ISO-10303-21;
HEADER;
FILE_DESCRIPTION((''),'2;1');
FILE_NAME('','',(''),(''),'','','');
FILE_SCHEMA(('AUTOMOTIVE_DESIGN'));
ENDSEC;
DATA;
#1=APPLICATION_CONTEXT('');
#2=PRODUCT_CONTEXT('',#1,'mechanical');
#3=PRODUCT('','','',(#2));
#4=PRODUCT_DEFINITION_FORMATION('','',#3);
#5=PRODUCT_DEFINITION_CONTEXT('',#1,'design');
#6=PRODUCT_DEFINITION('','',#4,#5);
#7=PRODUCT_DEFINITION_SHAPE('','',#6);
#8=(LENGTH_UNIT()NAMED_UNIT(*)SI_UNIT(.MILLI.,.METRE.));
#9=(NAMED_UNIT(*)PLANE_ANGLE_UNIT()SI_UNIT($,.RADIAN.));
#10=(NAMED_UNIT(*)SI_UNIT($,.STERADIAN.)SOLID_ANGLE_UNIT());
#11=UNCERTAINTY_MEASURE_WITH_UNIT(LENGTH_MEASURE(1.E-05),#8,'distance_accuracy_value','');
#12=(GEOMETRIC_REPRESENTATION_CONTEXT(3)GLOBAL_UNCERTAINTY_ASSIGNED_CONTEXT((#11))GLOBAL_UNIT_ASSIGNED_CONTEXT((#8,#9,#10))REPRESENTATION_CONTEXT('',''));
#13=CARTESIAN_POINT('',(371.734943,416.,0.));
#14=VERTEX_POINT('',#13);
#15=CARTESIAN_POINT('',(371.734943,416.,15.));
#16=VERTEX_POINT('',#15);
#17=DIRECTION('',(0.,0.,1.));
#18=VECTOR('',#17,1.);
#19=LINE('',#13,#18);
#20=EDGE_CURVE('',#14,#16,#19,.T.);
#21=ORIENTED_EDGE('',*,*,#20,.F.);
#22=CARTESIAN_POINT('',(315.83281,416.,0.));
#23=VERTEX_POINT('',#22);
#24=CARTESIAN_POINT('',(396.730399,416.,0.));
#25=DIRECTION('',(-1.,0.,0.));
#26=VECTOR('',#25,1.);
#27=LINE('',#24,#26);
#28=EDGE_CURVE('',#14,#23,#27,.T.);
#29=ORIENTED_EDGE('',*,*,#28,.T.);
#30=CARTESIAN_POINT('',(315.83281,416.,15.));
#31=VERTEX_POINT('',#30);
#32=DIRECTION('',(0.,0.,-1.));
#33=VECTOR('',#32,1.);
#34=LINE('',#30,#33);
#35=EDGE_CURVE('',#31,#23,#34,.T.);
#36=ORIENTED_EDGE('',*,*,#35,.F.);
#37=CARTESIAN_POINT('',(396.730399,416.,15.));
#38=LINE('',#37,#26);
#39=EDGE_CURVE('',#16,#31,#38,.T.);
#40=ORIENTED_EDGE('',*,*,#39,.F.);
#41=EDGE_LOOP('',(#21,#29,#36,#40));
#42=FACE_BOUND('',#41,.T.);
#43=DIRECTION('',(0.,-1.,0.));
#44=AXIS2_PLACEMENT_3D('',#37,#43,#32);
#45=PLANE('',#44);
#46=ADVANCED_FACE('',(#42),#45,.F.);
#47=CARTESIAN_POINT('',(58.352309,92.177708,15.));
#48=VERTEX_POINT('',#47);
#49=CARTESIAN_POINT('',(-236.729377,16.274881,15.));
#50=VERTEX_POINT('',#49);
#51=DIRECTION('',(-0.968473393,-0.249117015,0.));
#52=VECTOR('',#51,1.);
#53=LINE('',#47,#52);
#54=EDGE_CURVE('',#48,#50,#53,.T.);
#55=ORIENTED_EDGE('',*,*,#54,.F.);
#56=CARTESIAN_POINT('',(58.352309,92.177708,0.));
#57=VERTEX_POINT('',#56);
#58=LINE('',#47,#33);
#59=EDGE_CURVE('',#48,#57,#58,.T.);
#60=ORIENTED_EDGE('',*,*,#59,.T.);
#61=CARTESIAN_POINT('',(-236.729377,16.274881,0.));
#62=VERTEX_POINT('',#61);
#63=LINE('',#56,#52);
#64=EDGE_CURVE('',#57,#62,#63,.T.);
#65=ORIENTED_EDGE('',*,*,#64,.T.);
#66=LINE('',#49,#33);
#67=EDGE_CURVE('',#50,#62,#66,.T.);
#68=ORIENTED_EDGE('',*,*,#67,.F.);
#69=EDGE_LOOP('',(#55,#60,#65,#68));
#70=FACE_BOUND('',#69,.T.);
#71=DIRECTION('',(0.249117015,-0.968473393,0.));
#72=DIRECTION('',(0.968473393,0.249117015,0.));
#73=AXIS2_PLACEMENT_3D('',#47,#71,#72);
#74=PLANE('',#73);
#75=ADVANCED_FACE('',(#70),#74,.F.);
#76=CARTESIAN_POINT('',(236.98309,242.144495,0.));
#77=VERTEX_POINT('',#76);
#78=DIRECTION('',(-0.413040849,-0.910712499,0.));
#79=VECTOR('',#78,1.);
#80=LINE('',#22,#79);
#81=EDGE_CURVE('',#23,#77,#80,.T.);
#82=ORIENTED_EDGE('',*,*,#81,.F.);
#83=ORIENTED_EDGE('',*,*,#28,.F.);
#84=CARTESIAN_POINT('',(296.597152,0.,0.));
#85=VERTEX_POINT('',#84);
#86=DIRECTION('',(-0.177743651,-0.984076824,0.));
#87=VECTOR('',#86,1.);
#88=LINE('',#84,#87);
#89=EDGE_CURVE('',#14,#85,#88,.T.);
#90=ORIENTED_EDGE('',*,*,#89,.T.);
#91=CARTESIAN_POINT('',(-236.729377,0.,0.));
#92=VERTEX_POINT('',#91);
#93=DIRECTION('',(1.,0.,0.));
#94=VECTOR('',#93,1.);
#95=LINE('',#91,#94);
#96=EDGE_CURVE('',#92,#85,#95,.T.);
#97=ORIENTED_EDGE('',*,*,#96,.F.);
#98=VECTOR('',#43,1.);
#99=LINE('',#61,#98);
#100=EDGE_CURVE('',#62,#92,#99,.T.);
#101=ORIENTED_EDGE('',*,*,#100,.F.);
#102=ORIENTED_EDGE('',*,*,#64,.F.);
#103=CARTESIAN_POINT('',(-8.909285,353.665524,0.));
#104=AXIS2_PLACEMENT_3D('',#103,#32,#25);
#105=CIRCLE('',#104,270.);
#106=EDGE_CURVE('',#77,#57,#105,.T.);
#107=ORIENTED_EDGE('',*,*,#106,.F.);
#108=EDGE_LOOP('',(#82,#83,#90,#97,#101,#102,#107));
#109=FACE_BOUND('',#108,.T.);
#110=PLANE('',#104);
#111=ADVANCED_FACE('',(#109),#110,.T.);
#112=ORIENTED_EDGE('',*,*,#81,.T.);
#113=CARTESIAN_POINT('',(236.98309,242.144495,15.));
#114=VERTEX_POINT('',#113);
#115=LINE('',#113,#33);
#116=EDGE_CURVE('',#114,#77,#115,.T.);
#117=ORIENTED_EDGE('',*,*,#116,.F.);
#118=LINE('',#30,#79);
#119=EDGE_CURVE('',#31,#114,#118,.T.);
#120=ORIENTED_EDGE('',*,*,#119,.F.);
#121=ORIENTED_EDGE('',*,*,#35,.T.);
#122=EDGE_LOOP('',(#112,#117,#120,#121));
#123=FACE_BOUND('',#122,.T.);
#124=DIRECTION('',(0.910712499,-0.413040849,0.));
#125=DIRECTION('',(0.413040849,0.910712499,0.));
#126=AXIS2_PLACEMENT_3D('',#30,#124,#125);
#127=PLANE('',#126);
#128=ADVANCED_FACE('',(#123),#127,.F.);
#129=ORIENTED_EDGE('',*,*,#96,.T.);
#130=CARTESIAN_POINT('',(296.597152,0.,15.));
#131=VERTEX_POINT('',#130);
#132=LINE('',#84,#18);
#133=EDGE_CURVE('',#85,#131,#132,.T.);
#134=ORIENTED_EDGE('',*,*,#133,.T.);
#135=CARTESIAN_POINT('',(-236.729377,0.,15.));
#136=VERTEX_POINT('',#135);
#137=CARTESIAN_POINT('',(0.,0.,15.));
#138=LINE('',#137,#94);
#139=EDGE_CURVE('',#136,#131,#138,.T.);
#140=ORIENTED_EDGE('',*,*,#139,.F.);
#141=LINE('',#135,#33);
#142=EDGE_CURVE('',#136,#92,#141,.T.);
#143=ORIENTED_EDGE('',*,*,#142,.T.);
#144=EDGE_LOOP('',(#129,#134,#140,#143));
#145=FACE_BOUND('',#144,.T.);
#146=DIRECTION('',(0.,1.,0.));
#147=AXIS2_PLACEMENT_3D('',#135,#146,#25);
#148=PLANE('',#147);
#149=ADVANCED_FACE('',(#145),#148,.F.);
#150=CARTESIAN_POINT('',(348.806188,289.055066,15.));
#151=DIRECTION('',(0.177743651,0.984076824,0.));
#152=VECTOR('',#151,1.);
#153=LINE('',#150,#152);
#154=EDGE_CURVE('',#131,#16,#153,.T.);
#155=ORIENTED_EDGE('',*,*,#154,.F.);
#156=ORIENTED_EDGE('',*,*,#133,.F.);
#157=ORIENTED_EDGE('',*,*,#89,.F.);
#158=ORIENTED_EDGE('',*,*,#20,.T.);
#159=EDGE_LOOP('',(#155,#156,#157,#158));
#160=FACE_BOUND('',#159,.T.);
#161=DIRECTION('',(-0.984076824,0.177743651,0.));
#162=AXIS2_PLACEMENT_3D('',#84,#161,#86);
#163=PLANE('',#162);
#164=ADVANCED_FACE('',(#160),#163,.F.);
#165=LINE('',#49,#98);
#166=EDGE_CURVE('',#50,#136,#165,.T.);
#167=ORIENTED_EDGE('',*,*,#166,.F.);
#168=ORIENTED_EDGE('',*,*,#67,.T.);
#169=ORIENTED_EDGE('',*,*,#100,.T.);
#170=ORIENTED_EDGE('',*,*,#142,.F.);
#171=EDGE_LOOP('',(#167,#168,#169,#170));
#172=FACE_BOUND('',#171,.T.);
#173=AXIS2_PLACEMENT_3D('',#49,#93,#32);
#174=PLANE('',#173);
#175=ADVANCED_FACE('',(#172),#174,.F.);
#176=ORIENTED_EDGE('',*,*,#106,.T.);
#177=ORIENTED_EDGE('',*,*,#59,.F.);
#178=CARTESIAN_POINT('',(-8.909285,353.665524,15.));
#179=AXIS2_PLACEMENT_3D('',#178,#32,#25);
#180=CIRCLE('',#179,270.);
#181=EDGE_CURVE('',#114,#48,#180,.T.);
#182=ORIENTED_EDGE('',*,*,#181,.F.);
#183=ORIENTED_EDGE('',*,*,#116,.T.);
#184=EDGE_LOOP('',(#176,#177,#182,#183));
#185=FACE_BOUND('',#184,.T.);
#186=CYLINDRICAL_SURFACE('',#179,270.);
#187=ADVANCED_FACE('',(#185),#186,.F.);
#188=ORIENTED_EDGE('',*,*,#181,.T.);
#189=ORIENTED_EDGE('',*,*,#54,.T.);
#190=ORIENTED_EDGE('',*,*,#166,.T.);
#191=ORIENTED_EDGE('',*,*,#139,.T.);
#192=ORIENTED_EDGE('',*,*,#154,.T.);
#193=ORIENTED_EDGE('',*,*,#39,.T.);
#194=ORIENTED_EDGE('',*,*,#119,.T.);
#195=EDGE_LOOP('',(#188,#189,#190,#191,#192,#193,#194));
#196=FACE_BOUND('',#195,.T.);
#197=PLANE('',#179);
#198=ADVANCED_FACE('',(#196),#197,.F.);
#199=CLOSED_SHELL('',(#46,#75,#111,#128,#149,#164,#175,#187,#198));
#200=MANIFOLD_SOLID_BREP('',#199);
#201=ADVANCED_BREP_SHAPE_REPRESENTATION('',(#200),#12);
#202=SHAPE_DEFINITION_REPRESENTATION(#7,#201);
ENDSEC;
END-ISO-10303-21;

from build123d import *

# Parameters (mm, degrees)
BOSS_EXTRUDE1_DEPTH     = 15
CUT_EXTRUDE1_DEPTH      = 1
CUT_EXTRUDE1_DEPTH_BACK = 16


with BuildPart() as part:
    # Sketch1 → Boss-Extrude1 (new body)
    with BuildSketch(Plane.XY):
        with BuildLine():
            Line((-236.729376996, 0), (0, 0))
            Line((0, 0), (357.876847169, 0))
            Line((357.876847169, 0), (396.730398779, 416))
            Line((396.730398779, 416), (315.832809595, 416))
            Line((315.832809595, 416), (236.983089551, 242.144494596))
            ThreePointArc((236.983089551, 242.144494596), (164.696190822, 146.877858304), (58.352308735, 92.177707838))
            Line((58.352308735, 92.177707838), (-236.729376996, 16.274880501))
            Line((-236.729376996, 16.274880501), (-236.729376996, 0))
        make_face()
    extrude(amount=BOSS_EXTRUDE1_DEPTH)

    # Sketch2 → Cut-Extrude1 (cut, two sides)
    with BuildSketch(Plane.XY.offset(15)) as cut_extrude1_sk:
        Polygon((396.730398779, 416), (357.876847169, 0), (296.597151769, 0), (371.734942748, 416), align=None)
    extrude(amount=CUT_EXTRUDE1_DEPTH, mode=Mode.SUBTRACT)
    extrude(cut_extrude1_sk.sketch, amount=-CUT_EXTRUDE1_DEPTH_BACK, mode=Mode.SUBTRACT)


solid = part.part
